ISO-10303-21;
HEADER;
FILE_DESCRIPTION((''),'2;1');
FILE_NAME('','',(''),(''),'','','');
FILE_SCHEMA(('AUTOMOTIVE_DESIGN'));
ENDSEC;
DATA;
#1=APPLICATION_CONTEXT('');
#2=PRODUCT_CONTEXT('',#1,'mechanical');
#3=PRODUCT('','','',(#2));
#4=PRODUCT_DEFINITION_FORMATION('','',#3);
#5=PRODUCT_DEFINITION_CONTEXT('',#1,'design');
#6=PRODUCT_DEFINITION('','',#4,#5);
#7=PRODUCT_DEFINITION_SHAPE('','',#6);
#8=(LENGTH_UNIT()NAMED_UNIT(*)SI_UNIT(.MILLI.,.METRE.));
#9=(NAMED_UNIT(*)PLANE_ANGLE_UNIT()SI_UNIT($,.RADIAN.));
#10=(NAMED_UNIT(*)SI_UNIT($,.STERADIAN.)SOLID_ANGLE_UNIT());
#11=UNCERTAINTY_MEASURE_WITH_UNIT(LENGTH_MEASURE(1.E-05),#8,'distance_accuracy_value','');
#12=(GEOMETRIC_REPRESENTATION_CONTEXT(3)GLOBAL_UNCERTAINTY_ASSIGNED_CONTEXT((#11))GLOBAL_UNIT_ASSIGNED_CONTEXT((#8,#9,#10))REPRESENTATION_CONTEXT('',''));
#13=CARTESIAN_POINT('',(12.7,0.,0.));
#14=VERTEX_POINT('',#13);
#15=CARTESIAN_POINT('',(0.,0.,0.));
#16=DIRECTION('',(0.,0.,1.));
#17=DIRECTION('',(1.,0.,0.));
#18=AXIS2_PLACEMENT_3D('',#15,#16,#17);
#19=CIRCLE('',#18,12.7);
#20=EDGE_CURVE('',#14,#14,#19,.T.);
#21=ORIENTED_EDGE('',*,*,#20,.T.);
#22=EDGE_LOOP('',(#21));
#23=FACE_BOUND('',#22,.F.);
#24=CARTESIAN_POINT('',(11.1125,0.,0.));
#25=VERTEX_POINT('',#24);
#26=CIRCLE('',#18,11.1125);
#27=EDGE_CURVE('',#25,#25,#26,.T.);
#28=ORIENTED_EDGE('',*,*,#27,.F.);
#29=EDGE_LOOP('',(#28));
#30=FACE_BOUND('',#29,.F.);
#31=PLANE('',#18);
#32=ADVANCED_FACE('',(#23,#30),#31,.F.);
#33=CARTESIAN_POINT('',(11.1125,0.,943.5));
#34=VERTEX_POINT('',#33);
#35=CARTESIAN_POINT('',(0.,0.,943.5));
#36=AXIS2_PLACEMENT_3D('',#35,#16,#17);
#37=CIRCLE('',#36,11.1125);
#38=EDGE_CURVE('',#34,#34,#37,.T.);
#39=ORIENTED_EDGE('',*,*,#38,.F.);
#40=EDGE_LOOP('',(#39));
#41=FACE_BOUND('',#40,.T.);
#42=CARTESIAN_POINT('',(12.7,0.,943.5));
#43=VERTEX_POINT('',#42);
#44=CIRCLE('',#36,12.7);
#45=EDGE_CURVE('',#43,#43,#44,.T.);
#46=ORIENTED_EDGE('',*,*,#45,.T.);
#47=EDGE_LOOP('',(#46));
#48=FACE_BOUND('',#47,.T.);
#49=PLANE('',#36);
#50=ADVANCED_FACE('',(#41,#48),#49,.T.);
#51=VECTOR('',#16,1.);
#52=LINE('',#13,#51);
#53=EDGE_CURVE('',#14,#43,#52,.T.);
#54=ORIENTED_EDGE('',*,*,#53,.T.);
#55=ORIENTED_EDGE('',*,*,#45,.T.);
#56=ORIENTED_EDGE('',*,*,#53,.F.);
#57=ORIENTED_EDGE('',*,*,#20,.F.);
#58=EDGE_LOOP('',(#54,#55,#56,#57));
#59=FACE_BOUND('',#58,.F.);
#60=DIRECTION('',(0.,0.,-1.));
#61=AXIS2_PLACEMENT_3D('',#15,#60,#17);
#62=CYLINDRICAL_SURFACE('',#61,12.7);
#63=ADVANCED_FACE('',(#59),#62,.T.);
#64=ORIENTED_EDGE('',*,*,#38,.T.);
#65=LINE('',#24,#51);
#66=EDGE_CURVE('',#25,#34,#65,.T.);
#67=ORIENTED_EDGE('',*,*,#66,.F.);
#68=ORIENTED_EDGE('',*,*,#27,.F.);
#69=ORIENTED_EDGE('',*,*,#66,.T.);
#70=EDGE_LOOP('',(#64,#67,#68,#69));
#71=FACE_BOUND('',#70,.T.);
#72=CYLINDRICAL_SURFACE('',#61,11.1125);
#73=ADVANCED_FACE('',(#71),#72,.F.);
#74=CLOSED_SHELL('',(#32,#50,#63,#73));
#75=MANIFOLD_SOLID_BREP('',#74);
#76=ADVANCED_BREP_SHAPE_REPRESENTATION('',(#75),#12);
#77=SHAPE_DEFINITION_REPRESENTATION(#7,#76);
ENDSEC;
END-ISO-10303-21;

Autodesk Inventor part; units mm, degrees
ref_plane "YZ Plane" through (0, 0, 0) normal (1, 0, 0) x (0, 1, 0)
ref_plane "XZ Plane" through (0, 0, 0) normal (0, 1, 0) x (-1, 0, 0)
ref_plane "XY Plane" through (0, 0, 0) normal (0, 0, 1) x (1, 0, 0)
sketch "Sketch1" plane through (0, 0, 0) normal (0, 0, 1) x (1, 0, 0)
  circle A0 centre (0, 0) radius 12.7
  circle A1 centre (0, 0) radius 11.1125
  dimension "d0" = 25.4
  dimension "d1" = 22.225
extrude "Extrusion1" add sketch "Sketch1" along normal blind 943.5
properties part number "Shaft"
